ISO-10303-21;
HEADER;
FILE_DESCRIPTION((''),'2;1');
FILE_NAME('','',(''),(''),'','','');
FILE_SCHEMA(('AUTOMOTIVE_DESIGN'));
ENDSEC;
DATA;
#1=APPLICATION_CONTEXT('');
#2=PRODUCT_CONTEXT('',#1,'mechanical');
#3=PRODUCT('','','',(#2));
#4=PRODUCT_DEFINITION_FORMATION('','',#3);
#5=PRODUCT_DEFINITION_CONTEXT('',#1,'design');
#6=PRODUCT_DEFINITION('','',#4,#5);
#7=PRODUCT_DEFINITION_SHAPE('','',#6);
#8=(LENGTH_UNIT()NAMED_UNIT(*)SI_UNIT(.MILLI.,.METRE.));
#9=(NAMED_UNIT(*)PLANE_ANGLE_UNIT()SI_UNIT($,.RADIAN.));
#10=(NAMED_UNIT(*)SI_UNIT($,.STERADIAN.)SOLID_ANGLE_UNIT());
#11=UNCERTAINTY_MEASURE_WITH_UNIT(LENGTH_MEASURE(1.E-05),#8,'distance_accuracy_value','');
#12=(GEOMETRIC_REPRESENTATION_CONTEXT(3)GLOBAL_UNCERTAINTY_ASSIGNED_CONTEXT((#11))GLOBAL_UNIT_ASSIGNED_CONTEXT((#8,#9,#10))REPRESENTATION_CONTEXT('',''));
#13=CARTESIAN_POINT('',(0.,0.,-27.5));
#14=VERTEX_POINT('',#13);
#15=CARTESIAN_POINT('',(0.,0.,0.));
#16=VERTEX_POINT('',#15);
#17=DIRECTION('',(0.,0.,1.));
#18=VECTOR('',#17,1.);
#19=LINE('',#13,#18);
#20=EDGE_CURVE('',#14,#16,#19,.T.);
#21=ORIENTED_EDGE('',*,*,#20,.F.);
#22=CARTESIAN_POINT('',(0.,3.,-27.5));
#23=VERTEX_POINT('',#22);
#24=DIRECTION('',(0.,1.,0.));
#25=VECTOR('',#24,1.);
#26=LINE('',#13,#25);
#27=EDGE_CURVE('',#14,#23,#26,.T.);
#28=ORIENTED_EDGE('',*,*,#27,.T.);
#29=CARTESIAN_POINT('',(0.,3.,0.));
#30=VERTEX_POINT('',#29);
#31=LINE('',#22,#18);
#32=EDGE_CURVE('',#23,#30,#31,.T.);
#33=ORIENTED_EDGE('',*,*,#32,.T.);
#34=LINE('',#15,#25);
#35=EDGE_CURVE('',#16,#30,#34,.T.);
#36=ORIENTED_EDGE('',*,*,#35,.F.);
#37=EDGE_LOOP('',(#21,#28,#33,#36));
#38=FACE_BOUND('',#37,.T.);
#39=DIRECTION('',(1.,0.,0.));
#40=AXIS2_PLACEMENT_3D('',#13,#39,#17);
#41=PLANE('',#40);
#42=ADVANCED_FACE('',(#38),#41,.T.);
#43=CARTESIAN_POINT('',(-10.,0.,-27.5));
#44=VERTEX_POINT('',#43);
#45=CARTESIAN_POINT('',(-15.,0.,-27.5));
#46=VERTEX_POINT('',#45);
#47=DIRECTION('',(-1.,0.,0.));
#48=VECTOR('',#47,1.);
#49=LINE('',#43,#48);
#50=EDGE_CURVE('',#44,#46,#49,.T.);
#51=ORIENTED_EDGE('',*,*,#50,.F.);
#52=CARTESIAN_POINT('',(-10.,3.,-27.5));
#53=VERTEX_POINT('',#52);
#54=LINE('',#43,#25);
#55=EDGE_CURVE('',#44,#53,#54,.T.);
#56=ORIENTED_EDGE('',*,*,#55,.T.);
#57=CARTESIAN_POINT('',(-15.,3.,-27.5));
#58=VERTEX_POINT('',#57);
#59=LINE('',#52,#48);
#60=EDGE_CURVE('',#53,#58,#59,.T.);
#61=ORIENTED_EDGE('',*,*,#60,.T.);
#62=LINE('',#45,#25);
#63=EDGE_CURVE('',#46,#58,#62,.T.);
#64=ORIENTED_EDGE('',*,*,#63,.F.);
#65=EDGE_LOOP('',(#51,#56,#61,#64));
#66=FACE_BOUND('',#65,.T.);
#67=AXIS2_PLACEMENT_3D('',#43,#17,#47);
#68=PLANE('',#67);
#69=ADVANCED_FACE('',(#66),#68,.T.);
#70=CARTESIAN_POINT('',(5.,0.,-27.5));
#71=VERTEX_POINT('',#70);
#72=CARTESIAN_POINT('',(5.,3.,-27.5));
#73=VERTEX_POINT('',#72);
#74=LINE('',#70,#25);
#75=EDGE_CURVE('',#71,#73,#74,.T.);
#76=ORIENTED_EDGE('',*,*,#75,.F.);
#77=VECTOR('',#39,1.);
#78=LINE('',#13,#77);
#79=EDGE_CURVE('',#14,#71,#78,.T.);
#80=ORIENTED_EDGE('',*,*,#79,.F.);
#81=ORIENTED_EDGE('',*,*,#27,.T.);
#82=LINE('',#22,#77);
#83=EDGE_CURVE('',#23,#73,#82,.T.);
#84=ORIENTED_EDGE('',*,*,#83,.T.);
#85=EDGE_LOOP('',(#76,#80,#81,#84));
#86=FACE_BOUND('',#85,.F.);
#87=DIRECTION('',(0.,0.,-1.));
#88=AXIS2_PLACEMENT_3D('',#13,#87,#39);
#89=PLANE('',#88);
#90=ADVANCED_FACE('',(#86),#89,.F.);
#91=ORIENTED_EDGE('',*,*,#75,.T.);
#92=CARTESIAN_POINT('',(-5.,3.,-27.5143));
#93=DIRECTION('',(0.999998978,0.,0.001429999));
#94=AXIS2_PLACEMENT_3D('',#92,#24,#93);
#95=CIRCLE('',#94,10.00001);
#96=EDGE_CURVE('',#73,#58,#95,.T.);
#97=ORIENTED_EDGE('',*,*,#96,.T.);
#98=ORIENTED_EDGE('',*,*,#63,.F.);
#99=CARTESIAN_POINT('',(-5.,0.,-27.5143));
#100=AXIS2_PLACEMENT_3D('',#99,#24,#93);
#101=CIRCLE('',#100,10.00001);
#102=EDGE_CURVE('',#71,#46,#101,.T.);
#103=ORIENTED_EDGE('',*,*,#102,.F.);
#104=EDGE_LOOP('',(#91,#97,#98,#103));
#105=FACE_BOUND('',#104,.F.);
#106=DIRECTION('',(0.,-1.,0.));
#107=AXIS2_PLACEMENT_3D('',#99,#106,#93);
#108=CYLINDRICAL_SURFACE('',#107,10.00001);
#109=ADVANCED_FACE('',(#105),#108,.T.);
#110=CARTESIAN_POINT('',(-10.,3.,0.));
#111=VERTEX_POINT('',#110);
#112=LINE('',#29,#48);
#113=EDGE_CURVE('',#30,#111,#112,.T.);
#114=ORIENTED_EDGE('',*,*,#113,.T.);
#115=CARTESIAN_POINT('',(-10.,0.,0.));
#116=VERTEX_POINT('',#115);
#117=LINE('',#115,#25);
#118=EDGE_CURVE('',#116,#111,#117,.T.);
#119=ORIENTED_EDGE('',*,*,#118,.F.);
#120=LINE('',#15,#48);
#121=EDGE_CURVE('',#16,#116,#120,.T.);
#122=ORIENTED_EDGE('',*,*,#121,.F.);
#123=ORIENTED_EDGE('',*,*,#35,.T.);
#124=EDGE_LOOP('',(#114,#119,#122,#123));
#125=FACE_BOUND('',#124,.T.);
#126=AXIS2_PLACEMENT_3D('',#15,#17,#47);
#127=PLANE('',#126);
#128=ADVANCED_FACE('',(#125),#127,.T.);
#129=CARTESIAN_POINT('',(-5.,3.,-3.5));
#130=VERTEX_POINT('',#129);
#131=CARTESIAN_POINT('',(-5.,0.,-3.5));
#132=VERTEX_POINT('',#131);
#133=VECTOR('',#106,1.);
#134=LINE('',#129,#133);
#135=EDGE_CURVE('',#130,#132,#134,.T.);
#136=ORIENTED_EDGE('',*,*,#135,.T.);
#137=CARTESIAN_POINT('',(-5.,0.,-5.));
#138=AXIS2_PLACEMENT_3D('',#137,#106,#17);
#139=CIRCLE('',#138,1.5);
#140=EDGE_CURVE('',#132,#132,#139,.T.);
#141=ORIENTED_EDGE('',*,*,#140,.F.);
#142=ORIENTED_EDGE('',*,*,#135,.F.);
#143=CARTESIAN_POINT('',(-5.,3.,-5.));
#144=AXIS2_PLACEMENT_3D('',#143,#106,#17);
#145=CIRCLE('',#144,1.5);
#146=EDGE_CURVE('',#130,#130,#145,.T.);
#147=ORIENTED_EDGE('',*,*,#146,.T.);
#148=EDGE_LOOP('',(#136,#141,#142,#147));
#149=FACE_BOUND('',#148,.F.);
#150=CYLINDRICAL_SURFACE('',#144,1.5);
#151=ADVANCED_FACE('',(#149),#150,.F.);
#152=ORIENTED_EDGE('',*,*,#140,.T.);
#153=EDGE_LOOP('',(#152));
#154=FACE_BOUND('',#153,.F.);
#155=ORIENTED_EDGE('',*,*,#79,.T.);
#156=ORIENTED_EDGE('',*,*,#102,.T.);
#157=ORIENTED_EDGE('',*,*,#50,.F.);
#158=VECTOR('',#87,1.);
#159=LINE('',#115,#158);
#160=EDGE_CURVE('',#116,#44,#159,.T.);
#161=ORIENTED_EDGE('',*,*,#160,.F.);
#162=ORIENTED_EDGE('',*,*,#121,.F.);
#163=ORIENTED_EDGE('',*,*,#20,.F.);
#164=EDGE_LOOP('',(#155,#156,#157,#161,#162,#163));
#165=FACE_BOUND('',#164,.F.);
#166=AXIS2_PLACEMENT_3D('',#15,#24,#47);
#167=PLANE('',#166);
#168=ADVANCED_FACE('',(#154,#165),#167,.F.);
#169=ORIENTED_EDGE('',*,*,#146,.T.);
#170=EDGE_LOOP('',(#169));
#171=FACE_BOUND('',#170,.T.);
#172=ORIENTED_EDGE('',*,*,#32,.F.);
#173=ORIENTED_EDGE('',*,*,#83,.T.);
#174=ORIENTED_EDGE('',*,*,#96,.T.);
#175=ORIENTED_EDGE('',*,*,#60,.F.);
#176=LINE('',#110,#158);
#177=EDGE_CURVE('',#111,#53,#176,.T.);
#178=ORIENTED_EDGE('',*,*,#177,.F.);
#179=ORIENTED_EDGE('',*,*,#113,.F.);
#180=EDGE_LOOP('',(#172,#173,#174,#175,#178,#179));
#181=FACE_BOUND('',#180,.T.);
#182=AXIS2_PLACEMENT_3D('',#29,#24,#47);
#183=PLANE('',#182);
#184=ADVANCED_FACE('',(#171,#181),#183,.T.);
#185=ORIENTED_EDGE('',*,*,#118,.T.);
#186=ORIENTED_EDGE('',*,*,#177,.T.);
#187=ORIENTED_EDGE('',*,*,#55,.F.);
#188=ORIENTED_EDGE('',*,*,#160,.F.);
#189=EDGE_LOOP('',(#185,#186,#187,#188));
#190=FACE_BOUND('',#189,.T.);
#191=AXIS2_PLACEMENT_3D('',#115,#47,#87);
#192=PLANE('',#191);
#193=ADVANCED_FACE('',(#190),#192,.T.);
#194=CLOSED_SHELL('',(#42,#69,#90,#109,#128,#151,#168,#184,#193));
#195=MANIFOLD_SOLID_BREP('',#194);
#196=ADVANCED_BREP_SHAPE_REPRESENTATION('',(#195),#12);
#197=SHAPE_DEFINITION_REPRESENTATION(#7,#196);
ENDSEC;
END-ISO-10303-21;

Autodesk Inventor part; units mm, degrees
ref_plane "YZ Plane" through (0, 0, 0) normal (1, 0, 0) x (0, 1, 0)
ref_plane "XZ Plane" through (0, 0, 0) normal (0, 1, 0) x (-1, 0, 0)
ref_plane "XY Plane" through (0, 0, 0) normal (0, 0, 1) x (1, 0, 0)
sketch "Sketch1" plane through (0, 0, 0) normal (0, 1, 0) x (-1, 0, 0)
  line L0 (0, 0) -> (10, 0)
  line L1 (10, 0) -> (10, -27.5)
  line L2 (10, -27.5) -> (0, -27.5)
  line L3 (0, -27.5) -> (0, 0)
  line L4 (10, -27.5) -> (15, -27.5)
  line L5 (0, -27.5) -> (-5, -27.5)
  arc A0 (-5, -27.5) -> (15, -27.5) centre (5, -27.5143) ccw
  dimension "d0" = 10
  dimension "d1" = 27.5
  dimension "d2" = 5
  dimension "d3" = 5
extrude "Extrusion1" add sketch "Sketch1" along normal blind 3
sketch "Sketch2" plane through (0, 3, 0) normal (0, 1, 0) x (1, 0, 0)
  circle A0 centre (-5, 5) radius 1.5
  line L0 (-10, 0) -> (0, 0) projected
  line L1 (-10, 27.5) -> (-10, 0) projected
  dimension "d6" = 3
  dimension "d7" = 5
  dimension "d8" = 5
hole "Hole1" at (-5, 3, -5) direction (0, -1, 0) diameter 3 end through all
properties part number "fixing"
